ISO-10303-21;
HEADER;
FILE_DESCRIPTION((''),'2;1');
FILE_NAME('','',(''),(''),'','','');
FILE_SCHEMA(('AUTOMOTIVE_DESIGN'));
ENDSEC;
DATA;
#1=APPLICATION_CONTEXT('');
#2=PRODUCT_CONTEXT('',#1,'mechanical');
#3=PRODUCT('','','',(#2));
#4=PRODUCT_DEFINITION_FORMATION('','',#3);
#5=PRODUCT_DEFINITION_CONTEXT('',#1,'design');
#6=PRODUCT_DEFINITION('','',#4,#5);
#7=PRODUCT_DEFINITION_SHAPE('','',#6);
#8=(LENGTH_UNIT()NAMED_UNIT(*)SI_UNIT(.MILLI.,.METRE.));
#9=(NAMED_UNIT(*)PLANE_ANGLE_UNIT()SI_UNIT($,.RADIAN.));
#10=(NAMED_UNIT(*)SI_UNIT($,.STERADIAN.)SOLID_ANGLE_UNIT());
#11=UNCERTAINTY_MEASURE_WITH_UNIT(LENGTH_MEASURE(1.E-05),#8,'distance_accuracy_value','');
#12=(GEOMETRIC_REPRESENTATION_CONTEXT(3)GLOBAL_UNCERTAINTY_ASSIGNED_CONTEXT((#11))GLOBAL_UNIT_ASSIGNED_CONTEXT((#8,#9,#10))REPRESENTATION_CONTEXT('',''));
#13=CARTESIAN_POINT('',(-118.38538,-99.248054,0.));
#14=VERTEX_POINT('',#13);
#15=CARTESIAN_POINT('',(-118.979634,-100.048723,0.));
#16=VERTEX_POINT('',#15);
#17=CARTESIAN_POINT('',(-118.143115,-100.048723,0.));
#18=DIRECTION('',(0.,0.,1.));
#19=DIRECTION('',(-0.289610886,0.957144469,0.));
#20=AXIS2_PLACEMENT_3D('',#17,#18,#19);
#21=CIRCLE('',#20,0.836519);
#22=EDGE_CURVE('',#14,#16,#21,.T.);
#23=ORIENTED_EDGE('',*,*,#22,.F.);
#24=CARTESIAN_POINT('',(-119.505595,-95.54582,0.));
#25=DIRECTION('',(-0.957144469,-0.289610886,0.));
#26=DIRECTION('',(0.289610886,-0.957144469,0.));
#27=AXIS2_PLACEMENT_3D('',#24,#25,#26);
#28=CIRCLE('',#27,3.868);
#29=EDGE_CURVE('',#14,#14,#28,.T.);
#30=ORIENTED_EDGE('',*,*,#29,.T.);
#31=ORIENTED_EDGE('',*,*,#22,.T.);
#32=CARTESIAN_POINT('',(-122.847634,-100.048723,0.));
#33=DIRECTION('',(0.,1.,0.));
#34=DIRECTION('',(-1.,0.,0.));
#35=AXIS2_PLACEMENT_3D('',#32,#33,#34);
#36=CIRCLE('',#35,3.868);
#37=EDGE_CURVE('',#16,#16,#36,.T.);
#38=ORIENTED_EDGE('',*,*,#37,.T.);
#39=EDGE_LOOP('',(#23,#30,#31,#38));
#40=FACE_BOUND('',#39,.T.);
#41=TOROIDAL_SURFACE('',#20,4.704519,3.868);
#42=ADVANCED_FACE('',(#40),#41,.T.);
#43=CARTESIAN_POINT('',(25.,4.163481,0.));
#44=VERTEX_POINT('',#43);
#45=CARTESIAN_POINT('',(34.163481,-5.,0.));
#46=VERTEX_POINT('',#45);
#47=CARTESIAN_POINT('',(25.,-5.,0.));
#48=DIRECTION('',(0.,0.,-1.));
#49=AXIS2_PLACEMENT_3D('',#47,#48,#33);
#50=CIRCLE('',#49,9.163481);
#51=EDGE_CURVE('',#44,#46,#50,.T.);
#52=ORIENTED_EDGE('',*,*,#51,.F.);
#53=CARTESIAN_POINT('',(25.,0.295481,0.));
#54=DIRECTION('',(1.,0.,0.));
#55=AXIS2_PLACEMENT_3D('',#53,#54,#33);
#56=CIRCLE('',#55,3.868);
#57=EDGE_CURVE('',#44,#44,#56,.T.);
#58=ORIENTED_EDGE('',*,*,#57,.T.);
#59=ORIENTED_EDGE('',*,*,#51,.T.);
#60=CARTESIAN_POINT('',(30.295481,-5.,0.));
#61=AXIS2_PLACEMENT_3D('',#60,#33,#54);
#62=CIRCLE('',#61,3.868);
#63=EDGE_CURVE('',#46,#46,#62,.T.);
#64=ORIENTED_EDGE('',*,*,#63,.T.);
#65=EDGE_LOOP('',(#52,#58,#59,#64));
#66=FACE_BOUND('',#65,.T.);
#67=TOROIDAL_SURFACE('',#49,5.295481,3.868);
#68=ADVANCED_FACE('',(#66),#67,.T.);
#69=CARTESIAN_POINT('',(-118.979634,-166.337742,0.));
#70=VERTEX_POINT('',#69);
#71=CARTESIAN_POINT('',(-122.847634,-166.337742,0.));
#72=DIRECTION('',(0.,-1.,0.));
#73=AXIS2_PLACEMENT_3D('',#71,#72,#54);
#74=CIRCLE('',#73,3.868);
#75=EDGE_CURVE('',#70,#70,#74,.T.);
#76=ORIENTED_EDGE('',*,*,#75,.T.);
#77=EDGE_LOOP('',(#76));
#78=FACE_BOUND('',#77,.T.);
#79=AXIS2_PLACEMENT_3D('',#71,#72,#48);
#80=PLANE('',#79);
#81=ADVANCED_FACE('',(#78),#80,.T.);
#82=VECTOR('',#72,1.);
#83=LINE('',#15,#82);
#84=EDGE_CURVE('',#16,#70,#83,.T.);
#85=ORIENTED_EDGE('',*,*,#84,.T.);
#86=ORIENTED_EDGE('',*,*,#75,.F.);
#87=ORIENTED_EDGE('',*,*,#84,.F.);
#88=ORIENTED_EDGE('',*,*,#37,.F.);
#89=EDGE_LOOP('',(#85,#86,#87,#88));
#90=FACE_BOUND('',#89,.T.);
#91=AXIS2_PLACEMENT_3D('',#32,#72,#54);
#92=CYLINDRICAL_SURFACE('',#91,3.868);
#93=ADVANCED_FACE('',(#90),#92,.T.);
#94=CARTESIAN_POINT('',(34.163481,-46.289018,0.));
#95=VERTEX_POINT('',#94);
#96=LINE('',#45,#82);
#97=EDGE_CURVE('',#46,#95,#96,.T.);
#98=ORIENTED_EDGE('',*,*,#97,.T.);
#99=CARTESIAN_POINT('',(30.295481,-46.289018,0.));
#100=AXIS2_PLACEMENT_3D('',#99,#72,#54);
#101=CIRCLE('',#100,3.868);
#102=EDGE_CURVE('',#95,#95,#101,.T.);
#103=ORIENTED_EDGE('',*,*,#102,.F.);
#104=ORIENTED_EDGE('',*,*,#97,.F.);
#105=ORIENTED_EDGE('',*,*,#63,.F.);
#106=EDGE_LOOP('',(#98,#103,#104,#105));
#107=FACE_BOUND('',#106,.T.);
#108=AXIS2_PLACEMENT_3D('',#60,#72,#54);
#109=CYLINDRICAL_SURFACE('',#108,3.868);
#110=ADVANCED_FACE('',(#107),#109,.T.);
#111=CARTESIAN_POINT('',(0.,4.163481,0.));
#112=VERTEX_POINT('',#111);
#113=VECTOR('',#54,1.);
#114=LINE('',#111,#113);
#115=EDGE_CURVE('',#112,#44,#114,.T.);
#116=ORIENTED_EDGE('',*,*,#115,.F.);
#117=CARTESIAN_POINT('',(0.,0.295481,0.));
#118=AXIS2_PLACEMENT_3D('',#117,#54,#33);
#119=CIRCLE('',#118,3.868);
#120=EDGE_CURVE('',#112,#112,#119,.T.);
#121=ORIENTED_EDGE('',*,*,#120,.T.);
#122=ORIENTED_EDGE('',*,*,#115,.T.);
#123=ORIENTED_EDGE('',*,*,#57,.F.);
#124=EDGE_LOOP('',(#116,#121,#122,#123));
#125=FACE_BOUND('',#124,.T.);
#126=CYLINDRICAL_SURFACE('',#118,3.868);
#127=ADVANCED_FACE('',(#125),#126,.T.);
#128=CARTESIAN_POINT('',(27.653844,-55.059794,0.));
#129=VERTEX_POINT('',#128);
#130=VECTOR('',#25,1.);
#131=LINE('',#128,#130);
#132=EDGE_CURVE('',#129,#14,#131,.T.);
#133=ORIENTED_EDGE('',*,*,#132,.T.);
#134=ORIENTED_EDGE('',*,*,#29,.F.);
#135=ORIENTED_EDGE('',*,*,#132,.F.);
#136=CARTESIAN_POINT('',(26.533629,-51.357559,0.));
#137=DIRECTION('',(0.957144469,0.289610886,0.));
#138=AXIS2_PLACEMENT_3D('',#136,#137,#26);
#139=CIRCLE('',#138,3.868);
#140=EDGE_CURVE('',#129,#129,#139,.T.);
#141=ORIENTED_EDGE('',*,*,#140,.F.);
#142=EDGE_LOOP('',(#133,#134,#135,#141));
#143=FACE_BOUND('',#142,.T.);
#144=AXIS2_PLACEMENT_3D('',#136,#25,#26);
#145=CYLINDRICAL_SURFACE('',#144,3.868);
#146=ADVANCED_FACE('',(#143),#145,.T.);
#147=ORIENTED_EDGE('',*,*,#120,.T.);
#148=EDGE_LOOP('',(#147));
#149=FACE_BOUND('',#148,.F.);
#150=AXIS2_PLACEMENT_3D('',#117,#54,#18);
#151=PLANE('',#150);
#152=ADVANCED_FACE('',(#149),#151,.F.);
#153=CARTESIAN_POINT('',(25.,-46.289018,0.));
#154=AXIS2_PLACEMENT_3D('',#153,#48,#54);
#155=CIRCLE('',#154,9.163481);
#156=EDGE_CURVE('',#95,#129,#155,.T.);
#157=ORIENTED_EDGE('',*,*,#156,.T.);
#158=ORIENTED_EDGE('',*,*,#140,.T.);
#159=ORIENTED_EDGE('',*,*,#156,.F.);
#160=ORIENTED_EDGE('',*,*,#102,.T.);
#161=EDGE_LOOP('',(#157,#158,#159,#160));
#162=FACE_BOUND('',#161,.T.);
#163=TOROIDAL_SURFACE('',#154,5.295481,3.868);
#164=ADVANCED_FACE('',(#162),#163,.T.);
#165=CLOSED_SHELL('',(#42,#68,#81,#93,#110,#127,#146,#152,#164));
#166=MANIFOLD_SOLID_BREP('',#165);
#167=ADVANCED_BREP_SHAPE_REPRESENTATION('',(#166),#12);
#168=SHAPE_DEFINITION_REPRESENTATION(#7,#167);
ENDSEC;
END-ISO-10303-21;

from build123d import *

# Parameters (mm, degrees)
F2_R = 3.868


with BuildPart() as f3:
    # F3: sweep along a path in F0
    with BuildLine(Plane.XY) as f3_path:
        Line((0, 0), (25, 0))
        ThreePointArc((25, 0), (28.5355339059, -1.4644660941), (30, -5))
        Line((30, -5), (30, -46.2890183416))
        ThreePointArc((30, -46.2890183416), (29.0149889262, -49.2689283944), (26.448054431, -51.0747406868))
        Line((26.448054431, -51.0747406868), (-119.5911694754, -95.2630011068))
        ThreePointArc((-119.5911694754, -95.2630011068), (-122.1581039705, -97.0688133992), (-123.1431150443, -100.0487234519))
        Line((-123.1431150443, -100.0487234519), (-123.1431150443, -166.3377417936))
    # F2 (on line) → F3 (sweep)
    with BuildSketch(Plane.XZ.offset(166.3377417936)):
        with Locations((-122.8476336243, 0)):
            Circle(F2_R)
    sweep(path=f3_path.line)


solid = f3.part
